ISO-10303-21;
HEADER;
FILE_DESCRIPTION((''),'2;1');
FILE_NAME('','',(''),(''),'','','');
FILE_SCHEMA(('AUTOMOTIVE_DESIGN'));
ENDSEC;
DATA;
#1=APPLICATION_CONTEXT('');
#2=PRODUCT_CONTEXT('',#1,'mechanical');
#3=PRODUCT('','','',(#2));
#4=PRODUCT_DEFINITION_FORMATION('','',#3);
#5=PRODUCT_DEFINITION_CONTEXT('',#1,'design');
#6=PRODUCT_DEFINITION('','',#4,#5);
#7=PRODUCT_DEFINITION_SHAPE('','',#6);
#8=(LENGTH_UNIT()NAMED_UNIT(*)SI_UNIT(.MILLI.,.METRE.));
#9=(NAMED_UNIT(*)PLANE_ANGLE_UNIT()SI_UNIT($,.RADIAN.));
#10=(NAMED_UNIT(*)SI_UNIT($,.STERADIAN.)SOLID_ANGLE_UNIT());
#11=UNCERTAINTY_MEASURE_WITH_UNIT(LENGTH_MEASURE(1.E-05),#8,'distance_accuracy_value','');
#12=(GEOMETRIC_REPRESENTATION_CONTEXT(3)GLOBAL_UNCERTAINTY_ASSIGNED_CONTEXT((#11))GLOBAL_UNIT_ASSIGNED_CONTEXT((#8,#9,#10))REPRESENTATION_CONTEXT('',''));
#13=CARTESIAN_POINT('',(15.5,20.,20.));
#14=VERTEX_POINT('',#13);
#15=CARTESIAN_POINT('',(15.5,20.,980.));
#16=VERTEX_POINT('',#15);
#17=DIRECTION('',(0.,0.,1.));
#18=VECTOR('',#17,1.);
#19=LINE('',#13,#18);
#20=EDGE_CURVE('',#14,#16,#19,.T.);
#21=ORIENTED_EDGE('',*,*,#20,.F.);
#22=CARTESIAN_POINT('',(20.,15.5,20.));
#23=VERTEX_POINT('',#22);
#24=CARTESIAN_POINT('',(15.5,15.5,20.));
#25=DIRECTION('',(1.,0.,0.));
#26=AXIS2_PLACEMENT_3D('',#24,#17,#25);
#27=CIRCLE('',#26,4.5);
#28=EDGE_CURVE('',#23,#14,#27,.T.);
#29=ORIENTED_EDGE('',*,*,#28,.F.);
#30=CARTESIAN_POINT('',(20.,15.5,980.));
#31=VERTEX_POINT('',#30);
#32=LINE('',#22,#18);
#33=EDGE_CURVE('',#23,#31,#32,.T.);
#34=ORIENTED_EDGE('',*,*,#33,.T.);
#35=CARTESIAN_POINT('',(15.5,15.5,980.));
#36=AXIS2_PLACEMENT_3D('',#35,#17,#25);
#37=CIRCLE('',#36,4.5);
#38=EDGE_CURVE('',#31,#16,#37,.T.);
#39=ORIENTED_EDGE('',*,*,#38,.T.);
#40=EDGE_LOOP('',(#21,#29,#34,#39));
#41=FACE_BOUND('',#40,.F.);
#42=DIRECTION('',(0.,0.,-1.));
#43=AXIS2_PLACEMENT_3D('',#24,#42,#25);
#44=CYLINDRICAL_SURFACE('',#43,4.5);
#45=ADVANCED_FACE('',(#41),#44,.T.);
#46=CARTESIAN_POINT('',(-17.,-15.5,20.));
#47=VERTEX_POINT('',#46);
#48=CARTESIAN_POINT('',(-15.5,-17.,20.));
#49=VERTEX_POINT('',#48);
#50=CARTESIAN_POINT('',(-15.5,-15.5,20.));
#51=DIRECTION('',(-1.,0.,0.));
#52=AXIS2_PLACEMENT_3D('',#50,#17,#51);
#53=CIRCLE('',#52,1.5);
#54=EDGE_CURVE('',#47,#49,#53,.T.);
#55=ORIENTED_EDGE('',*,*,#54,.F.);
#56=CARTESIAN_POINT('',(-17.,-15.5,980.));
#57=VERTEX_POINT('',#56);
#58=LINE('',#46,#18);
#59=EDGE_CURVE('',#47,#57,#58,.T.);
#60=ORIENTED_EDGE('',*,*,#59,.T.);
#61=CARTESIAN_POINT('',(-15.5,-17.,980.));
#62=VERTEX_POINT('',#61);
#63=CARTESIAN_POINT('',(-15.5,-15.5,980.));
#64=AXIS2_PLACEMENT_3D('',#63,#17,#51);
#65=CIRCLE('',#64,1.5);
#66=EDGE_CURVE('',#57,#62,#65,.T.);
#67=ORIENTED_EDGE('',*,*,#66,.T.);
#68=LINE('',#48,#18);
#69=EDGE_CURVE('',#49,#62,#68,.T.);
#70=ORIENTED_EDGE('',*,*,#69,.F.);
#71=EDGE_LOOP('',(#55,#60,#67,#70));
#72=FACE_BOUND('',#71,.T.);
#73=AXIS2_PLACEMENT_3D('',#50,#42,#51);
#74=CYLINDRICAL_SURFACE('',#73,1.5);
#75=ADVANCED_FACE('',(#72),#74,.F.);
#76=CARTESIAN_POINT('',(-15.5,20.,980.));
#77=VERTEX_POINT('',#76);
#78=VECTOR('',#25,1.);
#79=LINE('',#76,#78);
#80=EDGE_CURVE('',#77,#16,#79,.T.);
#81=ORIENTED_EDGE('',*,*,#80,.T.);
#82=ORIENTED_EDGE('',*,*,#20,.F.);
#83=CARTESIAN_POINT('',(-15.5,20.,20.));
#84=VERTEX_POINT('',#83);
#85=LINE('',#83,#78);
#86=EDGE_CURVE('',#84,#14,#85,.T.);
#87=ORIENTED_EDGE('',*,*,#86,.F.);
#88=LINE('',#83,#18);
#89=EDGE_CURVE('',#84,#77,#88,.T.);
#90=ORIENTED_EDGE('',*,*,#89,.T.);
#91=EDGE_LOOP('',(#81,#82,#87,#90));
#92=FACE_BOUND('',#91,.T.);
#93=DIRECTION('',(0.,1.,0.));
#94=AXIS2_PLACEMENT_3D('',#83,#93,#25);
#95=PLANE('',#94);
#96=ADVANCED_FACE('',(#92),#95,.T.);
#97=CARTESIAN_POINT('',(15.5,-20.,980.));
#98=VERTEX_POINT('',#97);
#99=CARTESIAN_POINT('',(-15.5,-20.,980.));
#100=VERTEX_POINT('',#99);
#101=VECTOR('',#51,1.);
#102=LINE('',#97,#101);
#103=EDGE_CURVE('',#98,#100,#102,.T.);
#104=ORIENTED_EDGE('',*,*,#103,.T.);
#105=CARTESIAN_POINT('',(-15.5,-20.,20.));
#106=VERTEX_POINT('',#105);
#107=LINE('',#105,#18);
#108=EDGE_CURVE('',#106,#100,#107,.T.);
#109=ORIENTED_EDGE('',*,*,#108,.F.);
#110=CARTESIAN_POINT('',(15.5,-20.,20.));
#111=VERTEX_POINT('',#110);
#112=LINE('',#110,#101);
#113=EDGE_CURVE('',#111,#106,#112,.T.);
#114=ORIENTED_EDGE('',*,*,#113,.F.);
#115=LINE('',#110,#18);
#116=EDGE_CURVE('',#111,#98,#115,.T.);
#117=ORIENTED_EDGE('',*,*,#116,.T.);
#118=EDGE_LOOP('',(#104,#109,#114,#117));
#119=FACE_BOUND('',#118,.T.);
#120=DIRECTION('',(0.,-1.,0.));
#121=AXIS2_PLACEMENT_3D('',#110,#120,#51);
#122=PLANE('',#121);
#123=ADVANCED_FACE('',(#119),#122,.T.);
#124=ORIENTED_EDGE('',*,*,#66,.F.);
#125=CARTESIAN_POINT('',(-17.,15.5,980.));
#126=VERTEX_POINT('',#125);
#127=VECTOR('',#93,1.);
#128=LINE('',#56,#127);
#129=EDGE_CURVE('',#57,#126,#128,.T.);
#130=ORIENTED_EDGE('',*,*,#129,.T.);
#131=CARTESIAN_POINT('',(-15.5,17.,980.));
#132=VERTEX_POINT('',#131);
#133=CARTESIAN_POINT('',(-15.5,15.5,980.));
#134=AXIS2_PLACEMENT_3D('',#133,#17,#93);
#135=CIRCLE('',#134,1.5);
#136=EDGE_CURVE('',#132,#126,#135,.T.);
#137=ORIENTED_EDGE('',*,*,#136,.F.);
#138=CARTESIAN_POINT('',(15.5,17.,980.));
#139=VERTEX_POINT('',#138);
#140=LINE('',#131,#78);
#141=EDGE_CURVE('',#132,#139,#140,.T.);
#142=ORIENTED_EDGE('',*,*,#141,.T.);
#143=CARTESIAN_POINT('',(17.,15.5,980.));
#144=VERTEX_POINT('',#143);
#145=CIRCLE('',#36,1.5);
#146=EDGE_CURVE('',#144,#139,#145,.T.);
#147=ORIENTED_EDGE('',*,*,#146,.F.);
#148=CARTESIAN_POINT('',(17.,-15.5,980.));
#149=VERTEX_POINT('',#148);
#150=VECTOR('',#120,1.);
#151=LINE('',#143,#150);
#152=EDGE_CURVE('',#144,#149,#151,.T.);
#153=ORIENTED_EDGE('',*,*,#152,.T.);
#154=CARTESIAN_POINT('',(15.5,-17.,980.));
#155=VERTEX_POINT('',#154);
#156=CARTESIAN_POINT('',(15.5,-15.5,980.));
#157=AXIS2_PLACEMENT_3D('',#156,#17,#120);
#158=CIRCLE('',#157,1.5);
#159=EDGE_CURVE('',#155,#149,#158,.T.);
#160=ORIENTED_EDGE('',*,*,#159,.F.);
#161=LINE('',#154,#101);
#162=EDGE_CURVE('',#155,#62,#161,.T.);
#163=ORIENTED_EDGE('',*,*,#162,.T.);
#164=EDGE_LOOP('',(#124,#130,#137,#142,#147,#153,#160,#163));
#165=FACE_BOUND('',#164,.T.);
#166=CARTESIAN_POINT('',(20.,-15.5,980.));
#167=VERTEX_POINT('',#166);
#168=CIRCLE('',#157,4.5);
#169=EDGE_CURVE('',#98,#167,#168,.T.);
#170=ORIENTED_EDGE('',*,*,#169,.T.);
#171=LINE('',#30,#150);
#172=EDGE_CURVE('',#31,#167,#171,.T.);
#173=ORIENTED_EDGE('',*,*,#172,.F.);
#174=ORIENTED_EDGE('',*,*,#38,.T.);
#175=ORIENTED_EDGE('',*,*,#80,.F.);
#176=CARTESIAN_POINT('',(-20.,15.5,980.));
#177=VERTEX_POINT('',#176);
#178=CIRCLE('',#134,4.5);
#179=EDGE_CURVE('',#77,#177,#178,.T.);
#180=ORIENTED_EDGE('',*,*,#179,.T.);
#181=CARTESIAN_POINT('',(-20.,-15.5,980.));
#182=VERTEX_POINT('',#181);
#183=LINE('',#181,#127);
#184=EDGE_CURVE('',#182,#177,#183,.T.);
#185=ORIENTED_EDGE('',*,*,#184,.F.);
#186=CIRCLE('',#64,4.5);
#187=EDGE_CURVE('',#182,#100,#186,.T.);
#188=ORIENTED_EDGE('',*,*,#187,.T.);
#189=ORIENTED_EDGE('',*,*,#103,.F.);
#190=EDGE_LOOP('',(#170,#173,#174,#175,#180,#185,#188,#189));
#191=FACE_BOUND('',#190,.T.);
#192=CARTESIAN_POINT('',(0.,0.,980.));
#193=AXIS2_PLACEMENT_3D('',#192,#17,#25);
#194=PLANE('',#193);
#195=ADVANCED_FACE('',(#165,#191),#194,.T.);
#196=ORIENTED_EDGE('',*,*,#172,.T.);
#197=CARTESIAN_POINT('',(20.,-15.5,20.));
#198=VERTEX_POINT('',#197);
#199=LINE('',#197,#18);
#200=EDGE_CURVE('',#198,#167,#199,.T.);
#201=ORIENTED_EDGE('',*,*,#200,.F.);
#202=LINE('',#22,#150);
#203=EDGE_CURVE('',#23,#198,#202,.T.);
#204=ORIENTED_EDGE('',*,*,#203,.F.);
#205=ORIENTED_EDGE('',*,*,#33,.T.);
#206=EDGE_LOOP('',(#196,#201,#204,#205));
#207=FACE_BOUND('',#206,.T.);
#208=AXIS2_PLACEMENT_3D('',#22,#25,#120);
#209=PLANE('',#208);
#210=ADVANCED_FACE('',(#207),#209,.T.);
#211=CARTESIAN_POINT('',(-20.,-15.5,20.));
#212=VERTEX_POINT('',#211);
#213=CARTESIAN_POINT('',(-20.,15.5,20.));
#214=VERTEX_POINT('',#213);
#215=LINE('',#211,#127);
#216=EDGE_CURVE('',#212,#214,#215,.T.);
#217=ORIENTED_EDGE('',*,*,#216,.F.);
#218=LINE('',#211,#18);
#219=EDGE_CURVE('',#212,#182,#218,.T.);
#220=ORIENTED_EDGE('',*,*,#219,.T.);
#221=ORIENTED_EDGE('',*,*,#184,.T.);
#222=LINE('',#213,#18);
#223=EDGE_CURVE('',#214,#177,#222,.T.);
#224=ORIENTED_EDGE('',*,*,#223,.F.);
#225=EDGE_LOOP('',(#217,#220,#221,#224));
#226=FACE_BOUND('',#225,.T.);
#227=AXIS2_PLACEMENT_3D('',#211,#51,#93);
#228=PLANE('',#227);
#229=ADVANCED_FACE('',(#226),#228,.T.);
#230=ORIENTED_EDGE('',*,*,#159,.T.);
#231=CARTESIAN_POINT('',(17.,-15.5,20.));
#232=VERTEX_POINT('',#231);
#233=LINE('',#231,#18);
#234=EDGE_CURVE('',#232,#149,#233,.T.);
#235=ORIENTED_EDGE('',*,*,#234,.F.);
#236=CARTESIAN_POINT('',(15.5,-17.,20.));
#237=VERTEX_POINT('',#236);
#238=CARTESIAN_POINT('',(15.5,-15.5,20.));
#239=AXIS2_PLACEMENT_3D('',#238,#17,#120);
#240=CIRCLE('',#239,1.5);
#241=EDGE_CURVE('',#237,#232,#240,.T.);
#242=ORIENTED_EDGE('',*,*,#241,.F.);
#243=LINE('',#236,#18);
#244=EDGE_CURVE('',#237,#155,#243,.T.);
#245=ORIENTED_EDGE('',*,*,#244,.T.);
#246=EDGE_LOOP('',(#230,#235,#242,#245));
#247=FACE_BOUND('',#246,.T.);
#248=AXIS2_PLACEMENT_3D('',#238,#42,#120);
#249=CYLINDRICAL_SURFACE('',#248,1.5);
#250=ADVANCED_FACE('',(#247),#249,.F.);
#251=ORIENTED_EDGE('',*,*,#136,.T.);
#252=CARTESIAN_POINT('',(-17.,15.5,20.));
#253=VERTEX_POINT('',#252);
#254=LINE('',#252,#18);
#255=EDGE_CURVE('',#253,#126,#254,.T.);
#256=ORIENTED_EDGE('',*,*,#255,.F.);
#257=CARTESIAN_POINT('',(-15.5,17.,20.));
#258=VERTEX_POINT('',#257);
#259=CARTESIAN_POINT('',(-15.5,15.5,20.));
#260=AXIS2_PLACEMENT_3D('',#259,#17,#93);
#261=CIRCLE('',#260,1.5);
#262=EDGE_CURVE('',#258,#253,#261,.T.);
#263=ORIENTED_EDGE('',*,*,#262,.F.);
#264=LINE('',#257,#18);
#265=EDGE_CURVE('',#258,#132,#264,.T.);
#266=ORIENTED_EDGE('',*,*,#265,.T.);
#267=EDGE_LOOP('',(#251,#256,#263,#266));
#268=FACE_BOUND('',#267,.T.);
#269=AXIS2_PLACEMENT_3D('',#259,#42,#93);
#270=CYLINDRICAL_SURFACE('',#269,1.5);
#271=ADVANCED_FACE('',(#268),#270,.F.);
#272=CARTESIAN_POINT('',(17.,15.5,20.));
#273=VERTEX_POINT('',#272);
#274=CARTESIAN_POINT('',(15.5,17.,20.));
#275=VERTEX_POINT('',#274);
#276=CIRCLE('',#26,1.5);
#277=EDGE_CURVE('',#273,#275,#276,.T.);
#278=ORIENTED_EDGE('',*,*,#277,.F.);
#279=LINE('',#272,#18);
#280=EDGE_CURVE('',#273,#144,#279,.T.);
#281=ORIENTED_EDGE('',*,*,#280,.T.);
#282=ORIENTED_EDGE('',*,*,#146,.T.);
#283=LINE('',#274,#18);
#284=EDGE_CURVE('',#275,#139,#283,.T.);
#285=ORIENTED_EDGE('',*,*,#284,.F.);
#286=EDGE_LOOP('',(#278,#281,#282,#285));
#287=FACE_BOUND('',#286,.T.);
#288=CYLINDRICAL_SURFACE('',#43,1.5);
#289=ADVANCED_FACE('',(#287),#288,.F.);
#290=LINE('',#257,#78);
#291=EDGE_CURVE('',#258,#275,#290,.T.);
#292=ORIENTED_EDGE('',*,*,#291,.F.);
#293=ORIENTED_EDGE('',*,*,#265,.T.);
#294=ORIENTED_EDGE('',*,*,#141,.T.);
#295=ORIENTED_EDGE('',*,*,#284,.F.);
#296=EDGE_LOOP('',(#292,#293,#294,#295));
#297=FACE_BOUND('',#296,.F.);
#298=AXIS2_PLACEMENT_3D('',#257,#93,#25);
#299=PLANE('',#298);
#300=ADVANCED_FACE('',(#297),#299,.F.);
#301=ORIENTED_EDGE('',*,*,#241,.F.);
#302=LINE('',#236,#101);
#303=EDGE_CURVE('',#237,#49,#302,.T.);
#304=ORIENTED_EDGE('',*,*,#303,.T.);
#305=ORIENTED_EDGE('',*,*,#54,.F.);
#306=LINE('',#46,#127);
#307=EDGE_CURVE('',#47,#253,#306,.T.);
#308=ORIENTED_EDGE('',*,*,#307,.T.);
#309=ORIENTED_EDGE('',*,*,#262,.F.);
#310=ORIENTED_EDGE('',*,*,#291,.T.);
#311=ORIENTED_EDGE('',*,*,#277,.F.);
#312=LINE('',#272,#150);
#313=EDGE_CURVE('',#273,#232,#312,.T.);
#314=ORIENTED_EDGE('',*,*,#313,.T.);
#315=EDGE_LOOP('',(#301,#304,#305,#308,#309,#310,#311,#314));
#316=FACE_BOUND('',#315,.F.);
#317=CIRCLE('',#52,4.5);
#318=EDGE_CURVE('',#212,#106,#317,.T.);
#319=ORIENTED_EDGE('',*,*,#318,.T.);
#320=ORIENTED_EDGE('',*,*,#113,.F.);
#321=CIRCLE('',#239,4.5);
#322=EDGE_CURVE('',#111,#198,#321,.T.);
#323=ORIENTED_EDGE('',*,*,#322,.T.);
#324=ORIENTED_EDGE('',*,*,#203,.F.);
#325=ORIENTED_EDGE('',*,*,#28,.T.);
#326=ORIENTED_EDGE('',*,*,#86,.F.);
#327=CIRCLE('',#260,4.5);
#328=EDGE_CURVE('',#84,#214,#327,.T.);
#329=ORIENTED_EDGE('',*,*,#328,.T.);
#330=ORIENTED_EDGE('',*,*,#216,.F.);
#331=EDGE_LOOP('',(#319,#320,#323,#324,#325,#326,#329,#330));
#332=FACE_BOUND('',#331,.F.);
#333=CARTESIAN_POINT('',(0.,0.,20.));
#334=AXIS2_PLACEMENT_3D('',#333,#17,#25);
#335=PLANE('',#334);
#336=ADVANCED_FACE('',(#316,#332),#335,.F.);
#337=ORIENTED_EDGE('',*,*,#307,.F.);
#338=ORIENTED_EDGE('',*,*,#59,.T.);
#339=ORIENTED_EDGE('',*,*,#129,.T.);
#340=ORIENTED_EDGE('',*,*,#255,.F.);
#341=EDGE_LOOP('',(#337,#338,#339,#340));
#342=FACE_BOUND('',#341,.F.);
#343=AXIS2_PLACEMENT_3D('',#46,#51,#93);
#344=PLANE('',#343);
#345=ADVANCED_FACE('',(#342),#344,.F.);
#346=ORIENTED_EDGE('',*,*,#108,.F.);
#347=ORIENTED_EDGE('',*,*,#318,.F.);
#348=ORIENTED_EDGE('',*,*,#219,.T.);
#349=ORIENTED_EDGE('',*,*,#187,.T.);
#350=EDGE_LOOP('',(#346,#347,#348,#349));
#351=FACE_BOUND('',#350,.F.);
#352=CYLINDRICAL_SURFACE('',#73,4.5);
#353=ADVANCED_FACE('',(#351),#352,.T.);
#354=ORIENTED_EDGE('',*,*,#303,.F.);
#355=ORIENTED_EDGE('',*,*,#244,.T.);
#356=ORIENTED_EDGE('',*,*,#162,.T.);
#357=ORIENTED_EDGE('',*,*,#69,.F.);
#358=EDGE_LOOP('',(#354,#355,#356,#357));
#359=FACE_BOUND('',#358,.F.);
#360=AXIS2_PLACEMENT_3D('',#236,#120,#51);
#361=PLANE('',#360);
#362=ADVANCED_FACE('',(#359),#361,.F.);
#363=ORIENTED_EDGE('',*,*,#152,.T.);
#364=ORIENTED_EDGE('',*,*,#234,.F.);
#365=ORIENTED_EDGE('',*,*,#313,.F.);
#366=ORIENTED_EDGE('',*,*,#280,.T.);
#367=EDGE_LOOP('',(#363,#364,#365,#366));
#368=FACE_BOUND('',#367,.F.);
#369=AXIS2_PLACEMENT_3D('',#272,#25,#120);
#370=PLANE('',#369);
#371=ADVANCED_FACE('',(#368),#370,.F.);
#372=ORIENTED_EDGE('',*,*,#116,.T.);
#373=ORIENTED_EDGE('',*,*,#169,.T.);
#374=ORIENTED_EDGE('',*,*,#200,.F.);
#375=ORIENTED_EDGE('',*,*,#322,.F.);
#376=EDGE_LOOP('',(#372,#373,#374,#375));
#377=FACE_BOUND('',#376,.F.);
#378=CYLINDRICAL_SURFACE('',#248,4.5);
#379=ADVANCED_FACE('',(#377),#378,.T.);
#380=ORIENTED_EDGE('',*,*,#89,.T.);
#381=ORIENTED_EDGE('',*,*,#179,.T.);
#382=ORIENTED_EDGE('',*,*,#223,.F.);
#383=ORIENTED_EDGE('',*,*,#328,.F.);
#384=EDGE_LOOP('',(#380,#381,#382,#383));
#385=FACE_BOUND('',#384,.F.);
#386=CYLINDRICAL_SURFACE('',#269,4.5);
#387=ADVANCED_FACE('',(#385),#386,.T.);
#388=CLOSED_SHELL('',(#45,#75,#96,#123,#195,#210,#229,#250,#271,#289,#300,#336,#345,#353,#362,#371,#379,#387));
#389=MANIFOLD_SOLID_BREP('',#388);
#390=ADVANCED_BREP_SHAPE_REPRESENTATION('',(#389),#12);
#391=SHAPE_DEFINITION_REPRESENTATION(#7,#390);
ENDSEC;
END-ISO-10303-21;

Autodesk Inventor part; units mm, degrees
ref_plane "Start Plane" through (0, 0, 20) normal (0, 0, 1) x (1, 0, 0)
ref_plane "End Plane" through (0, 0, 980) normal (0, 0, 1) x (1, 0, 0)
sketch "Sketch" plane through (0, 0, 0) normal (0, 0, 1) x (1, 0, 0)
  line L0 (-20, -15.5) -> (-20, 15.5)
  line L1 (-15.5, 20) -> (15.5, 20)
  line L2 (20, 15.5) -> (20, -15.5)
  line L3 (15.5, -20) -> (-15.5, -20)
  arc A0 (-20, -15.5) -> (-15.5, -20) centre (-15.5, -15.5) ccw
  arc A1 (-15.5, 20) -> (-20, 15.5) centre (-15.5, 15.5) ccw
  arc A2 (20, 15.5) -> (15.5, 20) centre (15.5, 15.5) ccw
  arc A3 (15.5, -20) -> (20, -15.5) centre (15.5, -15.5) ccw
  arc A4 (-15.5, 17) -> (-17, 15.5) centre (-15.5, 15.5) ccw
  line L4 (-15.5, 17) -> (15.5, 17)
  arc A5 (17, 15.5) -> (15.5, 17) centre (15.5, 15.5) ccw
  line L5 (17, 15.5) -> (17, -15.5)
  arc A6 (15.5, -17) -> (17, -15.5) centre (15.5, -15.5) ccw
  line L6 (15.5, -17) -> (-15.5, -17)
  arc A7 (-17, -15.5) -> (-15.5, -17) centre (-15.5, -15.5) ccw
  line L7 (-17, -15.5) -> (-17, 15.5)
  line L8 (0, 29.3048) -> (0, -29.3048) construction
  line L9 (-29.3048, 0) -> (29.3048, 0) construction
  dimension "d7" = 4.5
  dimension "d10" = 40
  dimension "d11" = 40
  dimension "d12" = 3
  dimension "d15" = 20
  dimension "d16" = 20
extrude "Body" add sketch "Sketch" along normal up to surface (960 mm away) from surface at 20
sketch "Sketch3" plane through (0, 0, 0) normal (0, 0, 1) x (1, 0, 0)
  line L0 (0, 0) -> (10, 0)
ref_plane "Work Plane3" through (0, 0, 0) normal (0, -1, 0) x (1, 0, 0)
ref_plane "Work Plane4" through (-15.5, -960, 980) normal (0, 0, 1) x (1, 0, 0)
split "Split1" plane through (-15.5, -960, 980) removes the side toward (0, 0, 1)
ref_plane "Work Plane5" through (15.5, -960, 20) normal (0, 0, -1) x (-1, 0, 0)
split "Split2" plane through (15.5, -960, 20) removes the side toward (0, 0, -1)
sketch "Sketch4" plane through (0, 0, 0) normal (0, -1, 0) x (1, 0, 0)
  line L0 (-2, 20) -> (12, 20) projected
  line L1 (-2, 980) -> (12, 980) projected
  dimension "d18" = 960
equation "\"d7\" = G_IR"
equation "\"d10\" = G_H"
equation "\"d11\" = G_W"
equation "\"d12\" = G_T"
equation "\"d15\" = 0.5 * d10"
equation "\"d16\" = 0.5 * d11"
equation "\"d3\" = G_L"
equation "\"G_W\" = 40"
equation "\"G_H\" = 40"
equation "\"G_T\" = 3"
equation "\"G_IR\" = 4.5"
equation "\"G_L\" = d18"
properties part number "ISO 12633-2 - 40x40x3 - 960" material "Steel, Mild"
